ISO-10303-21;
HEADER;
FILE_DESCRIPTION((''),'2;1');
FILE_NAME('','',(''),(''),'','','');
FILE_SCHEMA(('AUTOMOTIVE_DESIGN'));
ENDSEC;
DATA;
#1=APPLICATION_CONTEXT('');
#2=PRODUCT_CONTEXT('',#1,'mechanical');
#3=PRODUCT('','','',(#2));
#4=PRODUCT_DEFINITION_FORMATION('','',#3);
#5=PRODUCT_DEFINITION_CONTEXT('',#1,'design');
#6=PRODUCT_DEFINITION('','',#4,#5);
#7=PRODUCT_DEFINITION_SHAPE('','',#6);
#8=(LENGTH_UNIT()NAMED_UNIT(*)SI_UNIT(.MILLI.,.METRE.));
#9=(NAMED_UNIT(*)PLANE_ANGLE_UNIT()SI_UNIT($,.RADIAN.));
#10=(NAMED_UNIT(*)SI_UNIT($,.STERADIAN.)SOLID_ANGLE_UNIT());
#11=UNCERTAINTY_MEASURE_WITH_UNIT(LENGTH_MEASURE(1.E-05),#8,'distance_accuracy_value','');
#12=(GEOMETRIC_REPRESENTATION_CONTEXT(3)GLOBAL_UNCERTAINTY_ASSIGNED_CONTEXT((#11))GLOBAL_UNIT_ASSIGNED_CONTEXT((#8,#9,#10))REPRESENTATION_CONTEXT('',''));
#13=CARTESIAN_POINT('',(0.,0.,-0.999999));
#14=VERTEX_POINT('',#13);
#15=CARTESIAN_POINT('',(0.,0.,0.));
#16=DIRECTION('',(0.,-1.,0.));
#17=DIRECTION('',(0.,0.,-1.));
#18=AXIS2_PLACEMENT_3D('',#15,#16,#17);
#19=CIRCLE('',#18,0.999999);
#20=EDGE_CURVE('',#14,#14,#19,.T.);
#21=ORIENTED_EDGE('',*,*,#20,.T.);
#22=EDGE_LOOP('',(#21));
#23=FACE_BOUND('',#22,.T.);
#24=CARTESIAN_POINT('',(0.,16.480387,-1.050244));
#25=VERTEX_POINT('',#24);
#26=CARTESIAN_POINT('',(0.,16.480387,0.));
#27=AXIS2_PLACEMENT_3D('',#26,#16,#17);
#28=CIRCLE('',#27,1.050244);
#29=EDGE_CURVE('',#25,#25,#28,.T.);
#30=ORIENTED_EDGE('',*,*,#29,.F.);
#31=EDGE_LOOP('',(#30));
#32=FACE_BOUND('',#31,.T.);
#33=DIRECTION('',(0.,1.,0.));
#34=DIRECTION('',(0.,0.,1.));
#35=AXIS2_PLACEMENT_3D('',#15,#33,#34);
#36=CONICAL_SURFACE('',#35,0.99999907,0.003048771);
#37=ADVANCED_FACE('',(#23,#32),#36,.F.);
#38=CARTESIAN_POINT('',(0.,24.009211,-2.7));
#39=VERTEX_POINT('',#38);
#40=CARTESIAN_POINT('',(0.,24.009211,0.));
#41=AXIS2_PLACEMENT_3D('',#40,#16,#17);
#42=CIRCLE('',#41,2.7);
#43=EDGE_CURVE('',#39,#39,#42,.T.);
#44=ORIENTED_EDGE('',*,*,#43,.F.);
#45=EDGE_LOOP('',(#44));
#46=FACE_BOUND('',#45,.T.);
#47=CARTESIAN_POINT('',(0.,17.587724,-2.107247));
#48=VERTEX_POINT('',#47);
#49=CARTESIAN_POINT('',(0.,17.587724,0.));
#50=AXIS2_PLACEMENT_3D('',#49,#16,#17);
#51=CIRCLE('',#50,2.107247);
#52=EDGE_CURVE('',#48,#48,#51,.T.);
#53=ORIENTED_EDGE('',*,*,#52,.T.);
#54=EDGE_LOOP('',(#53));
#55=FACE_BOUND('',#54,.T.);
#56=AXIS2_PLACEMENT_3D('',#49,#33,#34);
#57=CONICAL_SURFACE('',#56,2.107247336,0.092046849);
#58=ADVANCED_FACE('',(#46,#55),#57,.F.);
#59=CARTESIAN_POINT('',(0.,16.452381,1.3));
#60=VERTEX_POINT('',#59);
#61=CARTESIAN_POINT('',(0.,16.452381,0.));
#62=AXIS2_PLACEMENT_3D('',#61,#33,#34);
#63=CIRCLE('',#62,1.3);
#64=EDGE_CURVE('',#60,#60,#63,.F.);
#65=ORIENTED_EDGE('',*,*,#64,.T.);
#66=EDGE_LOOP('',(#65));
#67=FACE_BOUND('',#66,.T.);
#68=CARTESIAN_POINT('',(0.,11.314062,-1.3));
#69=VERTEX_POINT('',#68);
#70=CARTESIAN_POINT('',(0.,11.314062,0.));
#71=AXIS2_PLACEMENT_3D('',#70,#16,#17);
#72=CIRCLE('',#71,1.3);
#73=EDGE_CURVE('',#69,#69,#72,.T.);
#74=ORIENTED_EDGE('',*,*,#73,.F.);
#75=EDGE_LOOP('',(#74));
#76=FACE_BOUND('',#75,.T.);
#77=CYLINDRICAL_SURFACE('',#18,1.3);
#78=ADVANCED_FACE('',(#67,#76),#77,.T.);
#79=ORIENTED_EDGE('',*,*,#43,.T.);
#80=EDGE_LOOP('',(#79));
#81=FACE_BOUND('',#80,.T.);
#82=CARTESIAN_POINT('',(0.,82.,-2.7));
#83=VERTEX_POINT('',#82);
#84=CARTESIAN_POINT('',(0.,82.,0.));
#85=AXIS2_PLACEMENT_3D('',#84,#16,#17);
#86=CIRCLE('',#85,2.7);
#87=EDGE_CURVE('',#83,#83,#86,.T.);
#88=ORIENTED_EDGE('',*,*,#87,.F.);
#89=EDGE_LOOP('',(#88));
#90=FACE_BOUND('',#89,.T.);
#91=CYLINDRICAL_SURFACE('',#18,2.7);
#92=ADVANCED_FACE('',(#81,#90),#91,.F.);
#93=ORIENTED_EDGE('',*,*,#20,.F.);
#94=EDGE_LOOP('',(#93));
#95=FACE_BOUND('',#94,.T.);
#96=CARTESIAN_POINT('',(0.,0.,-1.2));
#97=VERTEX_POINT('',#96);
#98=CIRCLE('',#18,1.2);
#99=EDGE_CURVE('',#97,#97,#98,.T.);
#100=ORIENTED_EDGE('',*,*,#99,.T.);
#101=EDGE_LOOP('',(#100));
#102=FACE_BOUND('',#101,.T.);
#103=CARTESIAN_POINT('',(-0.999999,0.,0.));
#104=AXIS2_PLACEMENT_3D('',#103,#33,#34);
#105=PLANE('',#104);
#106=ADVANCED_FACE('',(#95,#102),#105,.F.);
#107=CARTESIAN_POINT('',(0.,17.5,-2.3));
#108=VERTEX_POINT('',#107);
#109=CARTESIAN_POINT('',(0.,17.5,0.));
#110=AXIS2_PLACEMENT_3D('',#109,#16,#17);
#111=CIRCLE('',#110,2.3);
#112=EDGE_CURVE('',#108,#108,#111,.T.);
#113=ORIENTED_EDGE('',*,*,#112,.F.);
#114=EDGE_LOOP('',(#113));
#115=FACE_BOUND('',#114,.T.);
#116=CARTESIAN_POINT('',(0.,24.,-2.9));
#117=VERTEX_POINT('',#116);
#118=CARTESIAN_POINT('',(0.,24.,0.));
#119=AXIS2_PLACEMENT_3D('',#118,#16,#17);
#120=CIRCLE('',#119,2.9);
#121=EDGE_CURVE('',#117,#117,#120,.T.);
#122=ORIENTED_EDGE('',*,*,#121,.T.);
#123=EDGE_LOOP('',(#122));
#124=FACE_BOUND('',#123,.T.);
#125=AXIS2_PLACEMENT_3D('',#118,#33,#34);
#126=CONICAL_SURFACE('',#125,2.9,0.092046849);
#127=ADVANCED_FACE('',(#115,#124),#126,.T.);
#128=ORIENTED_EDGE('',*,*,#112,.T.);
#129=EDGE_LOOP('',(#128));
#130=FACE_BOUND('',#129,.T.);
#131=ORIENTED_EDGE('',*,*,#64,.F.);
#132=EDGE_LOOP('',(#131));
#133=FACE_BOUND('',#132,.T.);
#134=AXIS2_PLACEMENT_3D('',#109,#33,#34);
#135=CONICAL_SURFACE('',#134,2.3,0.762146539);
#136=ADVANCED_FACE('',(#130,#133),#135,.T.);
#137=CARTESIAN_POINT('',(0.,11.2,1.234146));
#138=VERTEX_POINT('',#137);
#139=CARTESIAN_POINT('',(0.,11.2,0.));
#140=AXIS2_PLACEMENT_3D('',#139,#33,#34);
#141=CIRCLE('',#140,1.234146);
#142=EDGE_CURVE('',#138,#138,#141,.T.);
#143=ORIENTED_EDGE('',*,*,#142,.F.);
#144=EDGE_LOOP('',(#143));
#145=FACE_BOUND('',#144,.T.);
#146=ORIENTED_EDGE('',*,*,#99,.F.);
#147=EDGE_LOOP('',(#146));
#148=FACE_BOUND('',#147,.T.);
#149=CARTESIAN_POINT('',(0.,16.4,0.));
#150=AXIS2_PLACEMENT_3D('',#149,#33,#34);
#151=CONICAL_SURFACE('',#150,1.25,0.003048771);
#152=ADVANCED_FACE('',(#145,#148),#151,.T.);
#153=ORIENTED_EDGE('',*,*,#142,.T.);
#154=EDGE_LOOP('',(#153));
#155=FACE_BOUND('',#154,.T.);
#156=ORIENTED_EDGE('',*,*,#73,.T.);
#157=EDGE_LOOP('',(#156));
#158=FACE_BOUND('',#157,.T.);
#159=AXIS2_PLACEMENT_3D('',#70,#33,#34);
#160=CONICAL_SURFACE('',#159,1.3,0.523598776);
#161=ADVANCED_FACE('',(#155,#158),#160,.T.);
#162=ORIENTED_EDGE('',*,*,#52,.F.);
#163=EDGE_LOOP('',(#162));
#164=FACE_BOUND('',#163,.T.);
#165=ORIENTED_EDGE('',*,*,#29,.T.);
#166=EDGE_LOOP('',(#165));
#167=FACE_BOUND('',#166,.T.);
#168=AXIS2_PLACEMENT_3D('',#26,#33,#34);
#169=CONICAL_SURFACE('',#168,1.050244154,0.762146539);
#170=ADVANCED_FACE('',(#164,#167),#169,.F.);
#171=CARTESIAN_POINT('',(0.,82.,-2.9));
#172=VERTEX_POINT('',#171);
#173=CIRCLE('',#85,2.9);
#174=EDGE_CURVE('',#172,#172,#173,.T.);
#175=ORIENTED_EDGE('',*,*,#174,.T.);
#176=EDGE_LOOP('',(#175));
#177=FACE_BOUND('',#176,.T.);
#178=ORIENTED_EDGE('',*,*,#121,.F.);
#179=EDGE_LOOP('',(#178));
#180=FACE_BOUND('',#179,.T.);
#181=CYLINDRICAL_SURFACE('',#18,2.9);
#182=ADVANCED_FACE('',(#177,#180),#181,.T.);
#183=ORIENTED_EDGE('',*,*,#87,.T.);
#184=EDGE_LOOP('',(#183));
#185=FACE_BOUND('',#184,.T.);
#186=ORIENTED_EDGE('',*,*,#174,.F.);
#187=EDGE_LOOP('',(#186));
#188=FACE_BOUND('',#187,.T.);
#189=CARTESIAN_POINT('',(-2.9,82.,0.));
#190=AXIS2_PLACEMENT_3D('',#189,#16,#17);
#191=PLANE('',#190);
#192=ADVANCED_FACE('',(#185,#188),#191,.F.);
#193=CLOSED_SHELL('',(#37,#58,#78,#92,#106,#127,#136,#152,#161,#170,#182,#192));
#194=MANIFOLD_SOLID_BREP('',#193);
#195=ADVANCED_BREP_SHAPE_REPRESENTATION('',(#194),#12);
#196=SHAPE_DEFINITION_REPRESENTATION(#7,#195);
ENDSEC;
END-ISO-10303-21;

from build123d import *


with BuildPart() as part:
    # Sketch1 → Base-Revolve (revolve)
    with BuildSketch(Plane.XY, mode=Mode.PRIVATE) as base_revolve_sk:
        Polygon((-0.99999907, 0), (-1.2, 0), (-1.25, 16.399999998), (-2.3, 17.5), (-2.9, 24), (-2.9, 82), (-2.7, 82), (-2.7, 24.00921119), (-2.107247336, 17.587723996), (-1.050244154, 16.480387327), align=None)
    revolve(base_revolve_sk.sketch.rotate(Axis((0, 0, 0), (0, 1, 0)), 270), axis=Axis((0, 0, 0), (0, 1, 0)))

    # Esboço1 → Revolução1 (revolve)
    with BuildSketch(Plane.XY, mode=Mode.PRIVATE) as revolu_o1_sk:
        Polygon((-1.234146341, 11.2), (-1.3, 11.314061882), (-1.3, 16.45238095), (-1.25, 16.399999998), align=None)
    revolve(revolu_o1_sk.sketch.rotate(Axis((0, 0, 0), (0, 1, 0)), 90), axis=Axis((0, 0, 0), (0, 1, 0)))


solid = part.part
